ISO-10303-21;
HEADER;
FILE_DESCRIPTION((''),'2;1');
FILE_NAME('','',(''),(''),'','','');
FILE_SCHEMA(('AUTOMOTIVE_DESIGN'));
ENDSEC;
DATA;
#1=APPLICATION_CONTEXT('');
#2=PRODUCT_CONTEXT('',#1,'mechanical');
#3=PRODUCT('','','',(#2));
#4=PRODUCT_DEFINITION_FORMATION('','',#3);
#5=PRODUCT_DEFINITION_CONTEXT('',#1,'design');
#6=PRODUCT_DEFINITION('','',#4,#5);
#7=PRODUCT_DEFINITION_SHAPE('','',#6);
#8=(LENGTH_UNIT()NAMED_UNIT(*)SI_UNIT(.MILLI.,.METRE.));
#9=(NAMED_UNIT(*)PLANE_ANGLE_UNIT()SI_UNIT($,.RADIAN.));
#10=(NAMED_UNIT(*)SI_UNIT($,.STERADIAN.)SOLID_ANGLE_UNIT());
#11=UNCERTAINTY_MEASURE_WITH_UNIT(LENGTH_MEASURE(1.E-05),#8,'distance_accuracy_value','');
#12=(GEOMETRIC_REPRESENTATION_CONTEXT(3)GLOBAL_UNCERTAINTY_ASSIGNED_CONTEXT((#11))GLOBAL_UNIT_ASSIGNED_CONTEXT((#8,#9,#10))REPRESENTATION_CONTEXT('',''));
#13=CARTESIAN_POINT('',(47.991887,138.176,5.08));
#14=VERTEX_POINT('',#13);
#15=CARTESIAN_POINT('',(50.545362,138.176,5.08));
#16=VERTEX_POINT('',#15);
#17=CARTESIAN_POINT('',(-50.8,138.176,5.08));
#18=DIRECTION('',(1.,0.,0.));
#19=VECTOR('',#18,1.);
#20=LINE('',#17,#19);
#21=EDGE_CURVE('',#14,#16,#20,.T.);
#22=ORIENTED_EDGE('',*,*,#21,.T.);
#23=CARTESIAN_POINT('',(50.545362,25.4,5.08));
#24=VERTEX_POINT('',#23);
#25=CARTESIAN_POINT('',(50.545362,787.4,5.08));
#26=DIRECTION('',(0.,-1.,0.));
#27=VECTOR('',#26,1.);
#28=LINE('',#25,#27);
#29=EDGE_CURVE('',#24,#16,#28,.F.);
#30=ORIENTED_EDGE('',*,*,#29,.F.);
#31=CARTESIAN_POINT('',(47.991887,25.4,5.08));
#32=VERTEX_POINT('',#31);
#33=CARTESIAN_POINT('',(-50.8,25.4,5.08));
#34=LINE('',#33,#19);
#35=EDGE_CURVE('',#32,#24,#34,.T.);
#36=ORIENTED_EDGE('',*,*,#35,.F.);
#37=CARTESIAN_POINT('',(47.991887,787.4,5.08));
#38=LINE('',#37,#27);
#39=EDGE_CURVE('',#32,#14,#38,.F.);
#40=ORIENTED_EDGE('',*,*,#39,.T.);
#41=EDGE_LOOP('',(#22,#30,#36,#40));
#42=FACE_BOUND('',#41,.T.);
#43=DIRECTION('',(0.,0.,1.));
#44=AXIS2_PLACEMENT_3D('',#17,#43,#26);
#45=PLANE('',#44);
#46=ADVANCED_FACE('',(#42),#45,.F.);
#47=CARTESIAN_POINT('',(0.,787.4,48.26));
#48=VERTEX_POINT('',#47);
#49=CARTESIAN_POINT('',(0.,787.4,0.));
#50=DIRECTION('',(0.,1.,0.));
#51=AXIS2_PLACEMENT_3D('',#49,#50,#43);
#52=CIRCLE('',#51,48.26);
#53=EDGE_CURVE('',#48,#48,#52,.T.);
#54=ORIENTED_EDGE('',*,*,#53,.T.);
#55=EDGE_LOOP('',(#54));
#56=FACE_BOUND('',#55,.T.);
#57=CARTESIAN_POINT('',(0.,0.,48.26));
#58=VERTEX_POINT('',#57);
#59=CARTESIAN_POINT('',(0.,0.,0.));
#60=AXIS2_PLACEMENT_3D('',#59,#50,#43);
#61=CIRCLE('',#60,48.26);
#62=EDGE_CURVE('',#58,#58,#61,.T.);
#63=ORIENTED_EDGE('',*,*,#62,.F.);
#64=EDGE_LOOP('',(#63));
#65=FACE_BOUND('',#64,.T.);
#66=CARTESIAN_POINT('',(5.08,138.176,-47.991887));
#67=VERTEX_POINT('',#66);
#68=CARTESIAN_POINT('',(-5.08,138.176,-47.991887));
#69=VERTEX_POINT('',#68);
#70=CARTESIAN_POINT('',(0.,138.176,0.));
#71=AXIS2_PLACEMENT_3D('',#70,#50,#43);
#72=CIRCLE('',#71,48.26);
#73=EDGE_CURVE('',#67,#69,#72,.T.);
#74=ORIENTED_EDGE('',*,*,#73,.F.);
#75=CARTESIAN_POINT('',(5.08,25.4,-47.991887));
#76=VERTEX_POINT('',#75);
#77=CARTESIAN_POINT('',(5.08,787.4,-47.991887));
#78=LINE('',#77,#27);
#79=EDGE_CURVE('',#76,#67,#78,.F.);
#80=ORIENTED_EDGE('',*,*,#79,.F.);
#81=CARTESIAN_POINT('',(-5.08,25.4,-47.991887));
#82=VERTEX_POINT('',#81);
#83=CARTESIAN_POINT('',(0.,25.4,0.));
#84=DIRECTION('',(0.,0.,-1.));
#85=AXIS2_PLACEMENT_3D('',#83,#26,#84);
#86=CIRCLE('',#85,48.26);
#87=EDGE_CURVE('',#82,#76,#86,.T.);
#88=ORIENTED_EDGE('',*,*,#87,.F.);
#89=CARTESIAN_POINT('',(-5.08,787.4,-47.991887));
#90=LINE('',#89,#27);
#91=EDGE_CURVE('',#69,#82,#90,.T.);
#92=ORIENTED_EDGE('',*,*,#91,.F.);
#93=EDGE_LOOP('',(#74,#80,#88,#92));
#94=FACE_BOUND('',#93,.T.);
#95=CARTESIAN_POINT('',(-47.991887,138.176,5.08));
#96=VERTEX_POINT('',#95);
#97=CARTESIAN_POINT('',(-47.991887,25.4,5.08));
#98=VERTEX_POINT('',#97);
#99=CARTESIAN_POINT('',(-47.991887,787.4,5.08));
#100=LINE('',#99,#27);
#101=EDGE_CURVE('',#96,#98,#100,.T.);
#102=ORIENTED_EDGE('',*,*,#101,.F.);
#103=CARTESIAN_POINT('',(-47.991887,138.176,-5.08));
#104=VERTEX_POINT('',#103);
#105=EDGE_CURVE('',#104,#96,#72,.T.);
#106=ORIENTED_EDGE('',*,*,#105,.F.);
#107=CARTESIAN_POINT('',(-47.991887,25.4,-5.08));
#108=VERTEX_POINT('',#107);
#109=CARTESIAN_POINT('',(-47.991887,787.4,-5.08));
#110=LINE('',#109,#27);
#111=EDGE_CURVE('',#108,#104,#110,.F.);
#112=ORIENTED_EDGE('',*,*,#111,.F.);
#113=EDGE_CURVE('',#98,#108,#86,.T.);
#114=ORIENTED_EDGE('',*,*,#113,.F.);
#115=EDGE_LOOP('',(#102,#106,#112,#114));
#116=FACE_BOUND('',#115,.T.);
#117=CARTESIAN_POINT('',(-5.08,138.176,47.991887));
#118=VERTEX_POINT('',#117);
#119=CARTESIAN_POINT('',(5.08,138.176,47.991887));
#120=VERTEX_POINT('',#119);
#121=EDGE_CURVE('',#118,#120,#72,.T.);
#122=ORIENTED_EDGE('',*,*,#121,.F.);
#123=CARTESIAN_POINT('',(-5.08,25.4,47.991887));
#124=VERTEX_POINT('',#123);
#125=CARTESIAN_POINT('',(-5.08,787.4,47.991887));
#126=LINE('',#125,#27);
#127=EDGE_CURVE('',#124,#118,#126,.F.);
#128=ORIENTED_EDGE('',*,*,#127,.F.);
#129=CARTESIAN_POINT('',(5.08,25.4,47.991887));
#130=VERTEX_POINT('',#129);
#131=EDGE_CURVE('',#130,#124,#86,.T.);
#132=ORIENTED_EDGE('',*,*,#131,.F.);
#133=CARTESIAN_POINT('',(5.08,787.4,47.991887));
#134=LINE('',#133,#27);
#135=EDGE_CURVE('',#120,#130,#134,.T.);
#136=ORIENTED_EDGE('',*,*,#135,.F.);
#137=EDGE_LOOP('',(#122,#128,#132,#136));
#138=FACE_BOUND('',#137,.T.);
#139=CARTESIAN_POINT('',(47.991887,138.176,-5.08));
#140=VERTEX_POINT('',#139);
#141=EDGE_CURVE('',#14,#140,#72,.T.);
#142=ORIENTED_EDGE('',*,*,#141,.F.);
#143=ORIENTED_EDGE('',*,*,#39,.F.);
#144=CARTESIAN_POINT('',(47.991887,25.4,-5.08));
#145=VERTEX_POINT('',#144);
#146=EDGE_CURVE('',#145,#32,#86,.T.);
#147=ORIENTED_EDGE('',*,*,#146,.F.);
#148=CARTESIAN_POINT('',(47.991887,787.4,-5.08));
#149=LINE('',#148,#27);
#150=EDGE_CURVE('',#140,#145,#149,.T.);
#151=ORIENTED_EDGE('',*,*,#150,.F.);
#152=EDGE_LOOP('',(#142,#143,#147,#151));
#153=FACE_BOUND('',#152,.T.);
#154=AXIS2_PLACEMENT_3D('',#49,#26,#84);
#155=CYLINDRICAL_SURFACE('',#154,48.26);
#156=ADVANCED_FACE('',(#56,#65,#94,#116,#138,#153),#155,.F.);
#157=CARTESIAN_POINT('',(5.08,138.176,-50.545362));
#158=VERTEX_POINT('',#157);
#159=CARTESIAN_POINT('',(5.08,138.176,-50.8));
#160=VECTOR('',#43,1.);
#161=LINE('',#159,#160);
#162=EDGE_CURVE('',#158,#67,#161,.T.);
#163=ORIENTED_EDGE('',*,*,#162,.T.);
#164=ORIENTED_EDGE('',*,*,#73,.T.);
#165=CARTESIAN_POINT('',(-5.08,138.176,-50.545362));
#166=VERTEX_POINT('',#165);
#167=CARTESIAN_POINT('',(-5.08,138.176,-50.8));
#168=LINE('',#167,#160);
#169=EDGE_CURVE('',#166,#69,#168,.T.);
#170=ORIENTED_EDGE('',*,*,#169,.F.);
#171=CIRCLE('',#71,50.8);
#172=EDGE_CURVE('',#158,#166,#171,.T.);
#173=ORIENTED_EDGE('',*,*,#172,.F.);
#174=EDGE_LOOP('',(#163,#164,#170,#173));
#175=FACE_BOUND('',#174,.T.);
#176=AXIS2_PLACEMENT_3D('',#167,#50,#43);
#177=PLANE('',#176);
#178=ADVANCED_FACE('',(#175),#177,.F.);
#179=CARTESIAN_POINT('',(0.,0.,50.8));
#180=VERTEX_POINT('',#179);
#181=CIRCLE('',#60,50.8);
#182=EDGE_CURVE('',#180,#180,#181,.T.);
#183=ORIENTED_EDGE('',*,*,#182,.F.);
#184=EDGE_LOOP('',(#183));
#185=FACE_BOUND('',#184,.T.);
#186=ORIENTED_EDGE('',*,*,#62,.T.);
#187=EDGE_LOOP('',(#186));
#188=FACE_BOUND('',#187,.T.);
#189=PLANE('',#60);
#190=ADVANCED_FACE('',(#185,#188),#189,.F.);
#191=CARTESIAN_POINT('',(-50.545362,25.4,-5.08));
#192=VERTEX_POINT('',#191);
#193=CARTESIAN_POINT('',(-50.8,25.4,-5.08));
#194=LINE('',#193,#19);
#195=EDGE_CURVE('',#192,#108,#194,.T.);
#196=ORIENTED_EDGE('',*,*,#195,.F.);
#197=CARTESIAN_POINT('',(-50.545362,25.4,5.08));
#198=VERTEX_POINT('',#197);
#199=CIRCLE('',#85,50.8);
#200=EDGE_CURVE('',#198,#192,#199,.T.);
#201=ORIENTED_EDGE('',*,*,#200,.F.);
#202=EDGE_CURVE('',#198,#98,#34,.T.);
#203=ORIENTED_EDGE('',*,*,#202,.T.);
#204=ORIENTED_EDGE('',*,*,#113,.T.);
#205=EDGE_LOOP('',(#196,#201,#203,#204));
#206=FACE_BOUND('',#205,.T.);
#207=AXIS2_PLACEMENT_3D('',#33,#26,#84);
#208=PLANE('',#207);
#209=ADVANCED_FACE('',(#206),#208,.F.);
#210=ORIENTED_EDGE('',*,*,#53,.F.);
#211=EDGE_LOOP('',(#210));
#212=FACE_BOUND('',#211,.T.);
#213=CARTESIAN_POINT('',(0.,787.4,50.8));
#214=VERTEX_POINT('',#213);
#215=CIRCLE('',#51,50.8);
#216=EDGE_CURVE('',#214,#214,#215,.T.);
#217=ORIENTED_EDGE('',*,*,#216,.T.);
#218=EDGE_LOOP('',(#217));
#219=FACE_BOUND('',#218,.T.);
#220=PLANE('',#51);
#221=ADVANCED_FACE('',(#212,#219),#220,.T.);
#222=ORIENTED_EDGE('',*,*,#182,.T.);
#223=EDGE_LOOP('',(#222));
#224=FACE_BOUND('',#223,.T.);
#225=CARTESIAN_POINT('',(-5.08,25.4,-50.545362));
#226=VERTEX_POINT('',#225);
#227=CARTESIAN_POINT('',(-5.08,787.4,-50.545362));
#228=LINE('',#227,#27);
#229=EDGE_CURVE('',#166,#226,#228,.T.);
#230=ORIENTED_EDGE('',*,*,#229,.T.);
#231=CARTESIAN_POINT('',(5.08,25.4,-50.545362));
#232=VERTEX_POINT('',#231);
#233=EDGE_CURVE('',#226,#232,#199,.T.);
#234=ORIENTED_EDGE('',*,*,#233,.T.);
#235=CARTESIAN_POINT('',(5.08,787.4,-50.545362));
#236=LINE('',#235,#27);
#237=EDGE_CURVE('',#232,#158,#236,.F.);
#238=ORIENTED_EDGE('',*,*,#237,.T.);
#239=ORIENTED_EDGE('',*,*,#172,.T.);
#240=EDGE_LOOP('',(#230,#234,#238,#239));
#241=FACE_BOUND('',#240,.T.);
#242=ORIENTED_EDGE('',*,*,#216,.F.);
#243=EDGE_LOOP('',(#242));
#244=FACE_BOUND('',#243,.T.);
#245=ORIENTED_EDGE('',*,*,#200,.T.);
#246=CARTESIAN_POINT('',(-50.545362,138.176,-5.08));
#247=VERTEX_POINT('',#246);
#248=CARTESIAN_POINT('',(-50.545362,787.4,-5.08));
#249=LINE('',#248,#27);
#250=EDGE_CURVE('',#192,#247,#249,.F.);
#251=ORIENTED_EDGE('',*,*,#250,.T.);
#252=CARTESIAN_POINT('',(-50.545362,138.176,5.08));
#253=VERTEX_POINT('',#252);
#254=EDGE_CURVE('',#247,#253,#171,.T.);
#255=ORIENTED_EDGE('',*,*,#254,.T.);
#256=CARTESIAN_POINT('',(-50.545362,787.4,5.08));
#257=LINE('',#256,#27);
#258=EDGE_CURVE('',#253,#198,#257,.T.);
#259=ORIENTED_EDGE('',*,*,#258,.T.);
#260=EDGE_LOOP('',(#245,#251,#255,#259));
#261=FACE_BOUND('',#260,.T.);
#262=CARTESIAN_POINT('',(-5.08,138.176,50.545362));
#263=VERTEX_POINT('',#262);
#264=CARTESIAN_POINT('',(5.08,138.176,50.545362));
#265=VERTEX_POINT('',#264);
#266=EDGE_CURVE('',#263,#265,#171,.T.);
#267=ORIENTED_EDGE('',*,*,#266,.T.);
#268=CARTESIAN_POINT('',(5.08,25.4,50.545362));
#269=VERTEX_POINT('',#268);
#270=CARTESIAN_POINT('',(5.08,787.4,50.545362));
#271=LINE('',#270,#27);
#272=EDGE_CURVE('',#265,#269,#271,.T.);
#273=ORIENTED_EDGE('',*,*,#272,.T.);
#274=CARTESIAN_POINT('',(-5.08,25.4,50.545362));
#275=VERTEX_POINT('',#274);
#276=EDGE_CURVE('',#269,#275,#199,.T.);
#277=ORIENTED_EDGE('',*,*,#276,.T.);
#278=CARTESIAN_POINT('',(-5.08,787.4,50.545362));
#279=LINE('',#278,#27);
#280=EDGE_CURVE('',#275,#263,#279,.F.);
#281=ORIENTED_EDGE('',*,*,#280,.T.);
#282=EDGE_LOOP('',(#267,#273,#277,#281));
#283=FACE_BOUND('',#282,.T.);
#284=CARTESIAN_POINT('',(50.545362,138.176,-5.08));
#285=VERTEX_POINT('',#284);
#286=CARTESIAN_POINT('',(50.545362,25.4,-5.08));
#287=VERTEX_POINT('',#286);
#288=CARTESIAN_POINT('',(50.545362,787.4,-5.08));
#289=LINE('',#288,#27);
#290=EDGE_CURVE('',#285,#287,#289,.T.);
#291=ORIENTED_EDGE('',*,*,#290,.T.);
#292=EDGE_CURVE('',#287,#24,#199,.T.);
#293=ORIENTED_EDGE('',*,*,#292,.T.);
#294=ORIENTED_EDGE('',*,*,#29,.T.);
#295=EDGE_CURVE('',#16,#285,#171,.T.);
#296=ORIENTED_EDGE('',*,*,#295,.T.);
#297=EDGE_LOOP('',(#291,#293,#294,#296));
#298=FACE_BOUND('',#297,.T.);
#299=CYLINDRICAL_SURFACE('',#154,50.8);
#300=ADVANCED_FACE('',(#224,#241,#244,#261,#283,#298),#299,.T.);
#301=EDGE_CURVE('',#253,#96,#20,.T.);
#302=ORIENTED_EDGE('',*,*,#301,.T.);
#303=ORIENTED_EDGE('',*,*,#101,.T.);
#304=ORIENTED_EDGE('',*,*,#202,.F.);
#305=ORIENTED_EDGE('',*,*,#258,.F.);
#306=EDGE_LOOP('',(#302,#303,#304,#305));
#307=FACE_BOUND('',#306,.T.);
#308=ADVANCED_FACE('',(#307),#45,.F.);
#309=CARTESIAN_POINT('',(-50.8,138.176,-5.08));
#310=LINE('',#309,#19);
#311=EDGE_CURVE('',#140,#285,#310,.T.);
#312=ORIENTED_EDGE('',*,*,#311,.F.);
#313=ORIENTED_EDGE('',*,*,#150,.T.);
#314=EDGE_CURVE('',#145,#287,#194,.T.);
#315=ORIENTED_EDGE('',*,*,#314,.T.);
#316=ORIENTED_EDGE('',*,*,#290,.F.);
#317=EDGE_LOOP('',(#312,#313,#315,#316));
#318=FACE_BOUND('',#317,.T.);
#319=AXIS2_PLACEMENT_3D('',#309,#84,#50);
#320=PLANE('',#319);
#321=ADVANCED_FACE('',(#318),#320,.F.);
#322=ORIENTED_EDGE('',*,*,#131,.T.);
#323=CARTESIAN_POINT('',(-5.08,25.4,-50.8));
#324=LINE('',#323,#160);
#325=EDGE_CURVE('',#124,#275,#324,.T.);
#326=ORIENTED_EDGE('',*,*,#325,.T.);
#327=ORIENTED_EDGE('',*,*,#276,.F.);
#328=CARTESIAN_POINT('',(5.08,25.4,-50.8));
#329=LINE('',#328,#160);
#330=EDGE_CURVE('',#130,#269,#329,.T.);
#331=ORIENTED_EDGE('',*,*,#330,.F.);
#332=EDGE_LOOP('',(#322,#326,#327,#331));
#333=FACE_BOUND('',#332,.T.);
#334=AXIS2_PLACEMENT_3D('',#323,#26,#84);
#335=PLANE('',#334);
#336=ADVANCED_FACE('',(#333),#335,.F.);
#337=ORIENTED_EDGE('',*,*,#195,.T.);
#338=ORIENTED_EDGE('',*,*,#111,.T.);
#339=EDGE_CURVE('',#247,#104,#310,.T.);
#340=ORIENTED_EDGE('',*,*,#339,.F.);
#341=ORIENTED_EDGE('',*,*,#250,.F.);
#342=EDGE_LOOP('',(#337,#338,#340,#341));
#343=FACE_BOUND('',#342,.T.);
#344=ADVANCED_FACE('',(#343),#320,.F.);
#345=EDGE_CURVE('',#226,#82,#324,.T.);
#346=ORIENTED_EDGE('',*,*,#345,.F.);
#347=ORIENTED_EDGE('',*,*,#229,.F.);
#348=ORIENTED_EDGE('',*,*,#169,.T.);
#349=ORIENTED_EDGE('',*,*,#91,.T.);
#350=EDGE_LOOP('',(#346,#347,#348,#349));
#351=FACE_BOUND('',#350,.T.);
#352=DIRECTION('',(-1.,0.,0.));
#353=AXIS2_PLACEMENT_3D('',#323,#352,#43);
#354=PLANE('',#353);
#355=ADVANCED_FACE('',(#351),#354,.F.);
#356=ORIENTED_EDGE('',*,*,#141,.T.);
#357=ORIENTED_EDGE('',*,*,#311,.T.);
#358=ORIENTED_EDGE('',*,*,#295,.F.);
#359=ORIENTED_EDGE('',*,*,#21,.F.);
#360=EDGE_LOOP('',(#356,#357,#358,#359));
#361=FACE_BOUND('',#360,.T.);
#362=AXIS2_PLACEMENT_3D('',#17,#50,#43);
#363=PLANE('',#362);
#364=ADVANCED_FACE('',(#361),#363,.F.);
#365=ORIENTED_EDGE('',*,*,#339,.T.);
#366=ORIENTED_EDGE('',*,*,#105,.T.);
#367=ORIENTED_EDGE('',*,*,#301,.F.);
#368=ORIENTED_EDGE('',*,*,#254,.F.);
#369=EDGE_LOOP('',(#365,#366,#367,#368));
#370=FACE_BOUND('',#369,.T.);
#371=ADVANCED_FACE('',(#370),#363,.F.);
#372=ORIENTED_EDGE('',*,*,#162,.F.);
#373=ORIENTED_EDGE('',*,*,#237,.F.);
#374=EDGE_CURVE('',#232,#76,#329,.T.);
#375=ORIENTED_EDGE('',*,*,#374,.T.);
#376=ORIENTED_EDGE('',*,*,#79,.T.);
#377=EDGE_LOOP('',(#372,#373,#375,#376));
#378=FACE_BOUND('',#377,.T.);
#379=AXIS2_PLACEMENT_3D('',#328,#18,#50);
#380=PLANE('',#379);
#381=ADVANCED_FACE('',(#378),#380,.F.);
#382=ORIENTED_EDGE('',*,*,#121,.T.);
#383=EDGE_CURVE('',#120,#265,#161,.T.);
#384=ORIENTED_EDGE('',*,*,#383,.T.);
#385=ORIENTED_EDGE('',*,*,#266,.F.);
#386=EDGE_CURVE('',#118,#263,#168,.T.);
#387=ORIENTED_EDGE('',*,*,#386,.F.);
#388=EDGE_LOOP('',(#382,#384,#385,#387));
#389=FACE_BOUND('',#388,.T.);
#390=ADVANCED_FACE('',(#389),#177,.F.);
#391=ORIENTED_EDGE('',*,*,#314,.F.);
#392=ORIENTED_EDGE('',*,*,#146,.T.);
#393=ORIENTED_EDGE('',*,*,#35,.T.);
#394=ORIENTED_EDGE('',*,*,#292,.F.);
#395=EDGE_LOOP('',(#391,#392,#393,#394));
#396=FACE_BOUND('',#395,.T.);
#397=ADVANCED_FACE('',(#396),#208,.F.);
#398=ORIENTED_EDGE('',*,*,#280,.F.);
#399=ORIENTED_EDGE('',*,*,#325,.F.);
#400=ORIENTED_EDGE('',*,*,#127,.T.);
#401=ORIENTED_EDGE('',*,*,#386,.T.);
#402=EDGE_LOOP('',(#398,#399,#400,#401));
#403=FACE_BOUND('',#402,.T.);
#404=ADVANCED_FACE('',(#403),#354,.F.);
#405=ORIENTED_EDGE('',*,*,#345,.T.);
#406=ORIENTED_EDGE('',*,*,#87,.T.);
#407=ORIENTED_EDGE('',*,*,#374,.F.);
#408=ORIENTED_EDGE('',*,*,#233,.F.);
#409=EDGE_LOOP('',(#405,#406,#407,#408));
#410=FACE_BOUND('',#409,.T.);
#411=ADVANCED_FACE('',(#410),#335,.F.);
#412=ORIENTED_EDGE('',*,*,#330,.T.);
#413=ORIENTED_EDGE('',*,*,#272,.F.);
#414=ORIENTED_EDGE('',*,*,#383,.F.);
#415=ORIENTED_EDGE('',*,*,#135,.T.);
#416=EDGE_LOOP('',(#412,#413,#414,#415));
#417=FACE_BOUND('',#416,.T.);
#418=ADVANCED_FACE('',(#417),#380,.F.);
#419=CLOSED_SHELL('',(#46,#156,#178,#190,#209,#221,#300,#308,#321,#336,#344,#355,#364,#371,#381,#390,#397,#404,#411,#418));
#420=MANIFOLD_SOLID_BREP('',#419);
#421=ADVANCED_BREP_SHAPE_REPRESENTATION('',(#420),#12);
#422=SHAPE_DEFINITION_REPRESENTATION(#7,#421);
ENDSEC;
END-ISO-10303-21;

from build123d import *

# Parameters (mm, degrees)
SKETCH1_R               = 50.8
SKETCH1_R_2             = 48.26
BOSS_EXTRUDE1_DEPTH     = 787.4
CUT_EXTRUDE1_DEPTH      = 791.670626747
CUT_EXTRUDE1_DEPTH_BACK = 791.670626747
SKETCH2_W               = 10.16
SKETCH2_H               = 112.776
CUT_EXTRUDE2_DEPTH      = 791.670626747
CUT_EXTRUDE2_DEPTH_BACK = 791.670626747
SKETCH3_W               = 10.16
SKETCH3_H               = 112.776


with BuildPart() as part:
    # Sketch1 → Boss-Extrude1 (new body)
    with BuildSketch(Plane(origin=(0, 0, 0), x_dir=(1, 0, 0), z_dir=(0, 1, 0))):
        with Locations(Location((0, 0, 0), (0, 0, 270))):
            Circle(SKETCH1_R)
        with Locations(Location((0, 0, 0), (0, 0, 270))):
            Circle(SKETCH1_R_2, mode=Mode.SUBTRACT)
    extrude(amount=BOSS_EXTRUDE1_DEPTH)

    # Sketch2 → Cut-Extrude1 (cut, two sides: drawn at the far end of the back side and taken through both)
    with BuildSketch(Plane.XY.offset(-CUT_EXTRUDE1_DEPTH_BACK)):
        with Locations((0, 81.788)):
            Rectangle(SKETCH2_W, SKETCH2_H)
    extrude(amount=CUT_EXTRUDE1_DEPTH + CUT_EXTRUDE1_DEPTH_BACK, mode=Mode.SUBTRACT)

    # Sketch3 → Cut-Extrude2 (cut, two sides: drawn at the far end of the back side and taken through both)
    with BuildSketch(Plane(origin=(0, 0, 0), x_dir=(0, 0, -1), z_dir=(1, 0, 0)).offset(-CUT_EXTRUDE2_DEPTH_BACK)):
        with Locations((0, 81.788)):
            Rectangle(SKETCH3_W, SKETCH3_H)
    extrude(amount=CUT_EXTRUDE2_DEPTH + CUT_EXTRUDE2_DEPTH_BACK, mode=Mode.SUBTRACT)


solid = part.part
